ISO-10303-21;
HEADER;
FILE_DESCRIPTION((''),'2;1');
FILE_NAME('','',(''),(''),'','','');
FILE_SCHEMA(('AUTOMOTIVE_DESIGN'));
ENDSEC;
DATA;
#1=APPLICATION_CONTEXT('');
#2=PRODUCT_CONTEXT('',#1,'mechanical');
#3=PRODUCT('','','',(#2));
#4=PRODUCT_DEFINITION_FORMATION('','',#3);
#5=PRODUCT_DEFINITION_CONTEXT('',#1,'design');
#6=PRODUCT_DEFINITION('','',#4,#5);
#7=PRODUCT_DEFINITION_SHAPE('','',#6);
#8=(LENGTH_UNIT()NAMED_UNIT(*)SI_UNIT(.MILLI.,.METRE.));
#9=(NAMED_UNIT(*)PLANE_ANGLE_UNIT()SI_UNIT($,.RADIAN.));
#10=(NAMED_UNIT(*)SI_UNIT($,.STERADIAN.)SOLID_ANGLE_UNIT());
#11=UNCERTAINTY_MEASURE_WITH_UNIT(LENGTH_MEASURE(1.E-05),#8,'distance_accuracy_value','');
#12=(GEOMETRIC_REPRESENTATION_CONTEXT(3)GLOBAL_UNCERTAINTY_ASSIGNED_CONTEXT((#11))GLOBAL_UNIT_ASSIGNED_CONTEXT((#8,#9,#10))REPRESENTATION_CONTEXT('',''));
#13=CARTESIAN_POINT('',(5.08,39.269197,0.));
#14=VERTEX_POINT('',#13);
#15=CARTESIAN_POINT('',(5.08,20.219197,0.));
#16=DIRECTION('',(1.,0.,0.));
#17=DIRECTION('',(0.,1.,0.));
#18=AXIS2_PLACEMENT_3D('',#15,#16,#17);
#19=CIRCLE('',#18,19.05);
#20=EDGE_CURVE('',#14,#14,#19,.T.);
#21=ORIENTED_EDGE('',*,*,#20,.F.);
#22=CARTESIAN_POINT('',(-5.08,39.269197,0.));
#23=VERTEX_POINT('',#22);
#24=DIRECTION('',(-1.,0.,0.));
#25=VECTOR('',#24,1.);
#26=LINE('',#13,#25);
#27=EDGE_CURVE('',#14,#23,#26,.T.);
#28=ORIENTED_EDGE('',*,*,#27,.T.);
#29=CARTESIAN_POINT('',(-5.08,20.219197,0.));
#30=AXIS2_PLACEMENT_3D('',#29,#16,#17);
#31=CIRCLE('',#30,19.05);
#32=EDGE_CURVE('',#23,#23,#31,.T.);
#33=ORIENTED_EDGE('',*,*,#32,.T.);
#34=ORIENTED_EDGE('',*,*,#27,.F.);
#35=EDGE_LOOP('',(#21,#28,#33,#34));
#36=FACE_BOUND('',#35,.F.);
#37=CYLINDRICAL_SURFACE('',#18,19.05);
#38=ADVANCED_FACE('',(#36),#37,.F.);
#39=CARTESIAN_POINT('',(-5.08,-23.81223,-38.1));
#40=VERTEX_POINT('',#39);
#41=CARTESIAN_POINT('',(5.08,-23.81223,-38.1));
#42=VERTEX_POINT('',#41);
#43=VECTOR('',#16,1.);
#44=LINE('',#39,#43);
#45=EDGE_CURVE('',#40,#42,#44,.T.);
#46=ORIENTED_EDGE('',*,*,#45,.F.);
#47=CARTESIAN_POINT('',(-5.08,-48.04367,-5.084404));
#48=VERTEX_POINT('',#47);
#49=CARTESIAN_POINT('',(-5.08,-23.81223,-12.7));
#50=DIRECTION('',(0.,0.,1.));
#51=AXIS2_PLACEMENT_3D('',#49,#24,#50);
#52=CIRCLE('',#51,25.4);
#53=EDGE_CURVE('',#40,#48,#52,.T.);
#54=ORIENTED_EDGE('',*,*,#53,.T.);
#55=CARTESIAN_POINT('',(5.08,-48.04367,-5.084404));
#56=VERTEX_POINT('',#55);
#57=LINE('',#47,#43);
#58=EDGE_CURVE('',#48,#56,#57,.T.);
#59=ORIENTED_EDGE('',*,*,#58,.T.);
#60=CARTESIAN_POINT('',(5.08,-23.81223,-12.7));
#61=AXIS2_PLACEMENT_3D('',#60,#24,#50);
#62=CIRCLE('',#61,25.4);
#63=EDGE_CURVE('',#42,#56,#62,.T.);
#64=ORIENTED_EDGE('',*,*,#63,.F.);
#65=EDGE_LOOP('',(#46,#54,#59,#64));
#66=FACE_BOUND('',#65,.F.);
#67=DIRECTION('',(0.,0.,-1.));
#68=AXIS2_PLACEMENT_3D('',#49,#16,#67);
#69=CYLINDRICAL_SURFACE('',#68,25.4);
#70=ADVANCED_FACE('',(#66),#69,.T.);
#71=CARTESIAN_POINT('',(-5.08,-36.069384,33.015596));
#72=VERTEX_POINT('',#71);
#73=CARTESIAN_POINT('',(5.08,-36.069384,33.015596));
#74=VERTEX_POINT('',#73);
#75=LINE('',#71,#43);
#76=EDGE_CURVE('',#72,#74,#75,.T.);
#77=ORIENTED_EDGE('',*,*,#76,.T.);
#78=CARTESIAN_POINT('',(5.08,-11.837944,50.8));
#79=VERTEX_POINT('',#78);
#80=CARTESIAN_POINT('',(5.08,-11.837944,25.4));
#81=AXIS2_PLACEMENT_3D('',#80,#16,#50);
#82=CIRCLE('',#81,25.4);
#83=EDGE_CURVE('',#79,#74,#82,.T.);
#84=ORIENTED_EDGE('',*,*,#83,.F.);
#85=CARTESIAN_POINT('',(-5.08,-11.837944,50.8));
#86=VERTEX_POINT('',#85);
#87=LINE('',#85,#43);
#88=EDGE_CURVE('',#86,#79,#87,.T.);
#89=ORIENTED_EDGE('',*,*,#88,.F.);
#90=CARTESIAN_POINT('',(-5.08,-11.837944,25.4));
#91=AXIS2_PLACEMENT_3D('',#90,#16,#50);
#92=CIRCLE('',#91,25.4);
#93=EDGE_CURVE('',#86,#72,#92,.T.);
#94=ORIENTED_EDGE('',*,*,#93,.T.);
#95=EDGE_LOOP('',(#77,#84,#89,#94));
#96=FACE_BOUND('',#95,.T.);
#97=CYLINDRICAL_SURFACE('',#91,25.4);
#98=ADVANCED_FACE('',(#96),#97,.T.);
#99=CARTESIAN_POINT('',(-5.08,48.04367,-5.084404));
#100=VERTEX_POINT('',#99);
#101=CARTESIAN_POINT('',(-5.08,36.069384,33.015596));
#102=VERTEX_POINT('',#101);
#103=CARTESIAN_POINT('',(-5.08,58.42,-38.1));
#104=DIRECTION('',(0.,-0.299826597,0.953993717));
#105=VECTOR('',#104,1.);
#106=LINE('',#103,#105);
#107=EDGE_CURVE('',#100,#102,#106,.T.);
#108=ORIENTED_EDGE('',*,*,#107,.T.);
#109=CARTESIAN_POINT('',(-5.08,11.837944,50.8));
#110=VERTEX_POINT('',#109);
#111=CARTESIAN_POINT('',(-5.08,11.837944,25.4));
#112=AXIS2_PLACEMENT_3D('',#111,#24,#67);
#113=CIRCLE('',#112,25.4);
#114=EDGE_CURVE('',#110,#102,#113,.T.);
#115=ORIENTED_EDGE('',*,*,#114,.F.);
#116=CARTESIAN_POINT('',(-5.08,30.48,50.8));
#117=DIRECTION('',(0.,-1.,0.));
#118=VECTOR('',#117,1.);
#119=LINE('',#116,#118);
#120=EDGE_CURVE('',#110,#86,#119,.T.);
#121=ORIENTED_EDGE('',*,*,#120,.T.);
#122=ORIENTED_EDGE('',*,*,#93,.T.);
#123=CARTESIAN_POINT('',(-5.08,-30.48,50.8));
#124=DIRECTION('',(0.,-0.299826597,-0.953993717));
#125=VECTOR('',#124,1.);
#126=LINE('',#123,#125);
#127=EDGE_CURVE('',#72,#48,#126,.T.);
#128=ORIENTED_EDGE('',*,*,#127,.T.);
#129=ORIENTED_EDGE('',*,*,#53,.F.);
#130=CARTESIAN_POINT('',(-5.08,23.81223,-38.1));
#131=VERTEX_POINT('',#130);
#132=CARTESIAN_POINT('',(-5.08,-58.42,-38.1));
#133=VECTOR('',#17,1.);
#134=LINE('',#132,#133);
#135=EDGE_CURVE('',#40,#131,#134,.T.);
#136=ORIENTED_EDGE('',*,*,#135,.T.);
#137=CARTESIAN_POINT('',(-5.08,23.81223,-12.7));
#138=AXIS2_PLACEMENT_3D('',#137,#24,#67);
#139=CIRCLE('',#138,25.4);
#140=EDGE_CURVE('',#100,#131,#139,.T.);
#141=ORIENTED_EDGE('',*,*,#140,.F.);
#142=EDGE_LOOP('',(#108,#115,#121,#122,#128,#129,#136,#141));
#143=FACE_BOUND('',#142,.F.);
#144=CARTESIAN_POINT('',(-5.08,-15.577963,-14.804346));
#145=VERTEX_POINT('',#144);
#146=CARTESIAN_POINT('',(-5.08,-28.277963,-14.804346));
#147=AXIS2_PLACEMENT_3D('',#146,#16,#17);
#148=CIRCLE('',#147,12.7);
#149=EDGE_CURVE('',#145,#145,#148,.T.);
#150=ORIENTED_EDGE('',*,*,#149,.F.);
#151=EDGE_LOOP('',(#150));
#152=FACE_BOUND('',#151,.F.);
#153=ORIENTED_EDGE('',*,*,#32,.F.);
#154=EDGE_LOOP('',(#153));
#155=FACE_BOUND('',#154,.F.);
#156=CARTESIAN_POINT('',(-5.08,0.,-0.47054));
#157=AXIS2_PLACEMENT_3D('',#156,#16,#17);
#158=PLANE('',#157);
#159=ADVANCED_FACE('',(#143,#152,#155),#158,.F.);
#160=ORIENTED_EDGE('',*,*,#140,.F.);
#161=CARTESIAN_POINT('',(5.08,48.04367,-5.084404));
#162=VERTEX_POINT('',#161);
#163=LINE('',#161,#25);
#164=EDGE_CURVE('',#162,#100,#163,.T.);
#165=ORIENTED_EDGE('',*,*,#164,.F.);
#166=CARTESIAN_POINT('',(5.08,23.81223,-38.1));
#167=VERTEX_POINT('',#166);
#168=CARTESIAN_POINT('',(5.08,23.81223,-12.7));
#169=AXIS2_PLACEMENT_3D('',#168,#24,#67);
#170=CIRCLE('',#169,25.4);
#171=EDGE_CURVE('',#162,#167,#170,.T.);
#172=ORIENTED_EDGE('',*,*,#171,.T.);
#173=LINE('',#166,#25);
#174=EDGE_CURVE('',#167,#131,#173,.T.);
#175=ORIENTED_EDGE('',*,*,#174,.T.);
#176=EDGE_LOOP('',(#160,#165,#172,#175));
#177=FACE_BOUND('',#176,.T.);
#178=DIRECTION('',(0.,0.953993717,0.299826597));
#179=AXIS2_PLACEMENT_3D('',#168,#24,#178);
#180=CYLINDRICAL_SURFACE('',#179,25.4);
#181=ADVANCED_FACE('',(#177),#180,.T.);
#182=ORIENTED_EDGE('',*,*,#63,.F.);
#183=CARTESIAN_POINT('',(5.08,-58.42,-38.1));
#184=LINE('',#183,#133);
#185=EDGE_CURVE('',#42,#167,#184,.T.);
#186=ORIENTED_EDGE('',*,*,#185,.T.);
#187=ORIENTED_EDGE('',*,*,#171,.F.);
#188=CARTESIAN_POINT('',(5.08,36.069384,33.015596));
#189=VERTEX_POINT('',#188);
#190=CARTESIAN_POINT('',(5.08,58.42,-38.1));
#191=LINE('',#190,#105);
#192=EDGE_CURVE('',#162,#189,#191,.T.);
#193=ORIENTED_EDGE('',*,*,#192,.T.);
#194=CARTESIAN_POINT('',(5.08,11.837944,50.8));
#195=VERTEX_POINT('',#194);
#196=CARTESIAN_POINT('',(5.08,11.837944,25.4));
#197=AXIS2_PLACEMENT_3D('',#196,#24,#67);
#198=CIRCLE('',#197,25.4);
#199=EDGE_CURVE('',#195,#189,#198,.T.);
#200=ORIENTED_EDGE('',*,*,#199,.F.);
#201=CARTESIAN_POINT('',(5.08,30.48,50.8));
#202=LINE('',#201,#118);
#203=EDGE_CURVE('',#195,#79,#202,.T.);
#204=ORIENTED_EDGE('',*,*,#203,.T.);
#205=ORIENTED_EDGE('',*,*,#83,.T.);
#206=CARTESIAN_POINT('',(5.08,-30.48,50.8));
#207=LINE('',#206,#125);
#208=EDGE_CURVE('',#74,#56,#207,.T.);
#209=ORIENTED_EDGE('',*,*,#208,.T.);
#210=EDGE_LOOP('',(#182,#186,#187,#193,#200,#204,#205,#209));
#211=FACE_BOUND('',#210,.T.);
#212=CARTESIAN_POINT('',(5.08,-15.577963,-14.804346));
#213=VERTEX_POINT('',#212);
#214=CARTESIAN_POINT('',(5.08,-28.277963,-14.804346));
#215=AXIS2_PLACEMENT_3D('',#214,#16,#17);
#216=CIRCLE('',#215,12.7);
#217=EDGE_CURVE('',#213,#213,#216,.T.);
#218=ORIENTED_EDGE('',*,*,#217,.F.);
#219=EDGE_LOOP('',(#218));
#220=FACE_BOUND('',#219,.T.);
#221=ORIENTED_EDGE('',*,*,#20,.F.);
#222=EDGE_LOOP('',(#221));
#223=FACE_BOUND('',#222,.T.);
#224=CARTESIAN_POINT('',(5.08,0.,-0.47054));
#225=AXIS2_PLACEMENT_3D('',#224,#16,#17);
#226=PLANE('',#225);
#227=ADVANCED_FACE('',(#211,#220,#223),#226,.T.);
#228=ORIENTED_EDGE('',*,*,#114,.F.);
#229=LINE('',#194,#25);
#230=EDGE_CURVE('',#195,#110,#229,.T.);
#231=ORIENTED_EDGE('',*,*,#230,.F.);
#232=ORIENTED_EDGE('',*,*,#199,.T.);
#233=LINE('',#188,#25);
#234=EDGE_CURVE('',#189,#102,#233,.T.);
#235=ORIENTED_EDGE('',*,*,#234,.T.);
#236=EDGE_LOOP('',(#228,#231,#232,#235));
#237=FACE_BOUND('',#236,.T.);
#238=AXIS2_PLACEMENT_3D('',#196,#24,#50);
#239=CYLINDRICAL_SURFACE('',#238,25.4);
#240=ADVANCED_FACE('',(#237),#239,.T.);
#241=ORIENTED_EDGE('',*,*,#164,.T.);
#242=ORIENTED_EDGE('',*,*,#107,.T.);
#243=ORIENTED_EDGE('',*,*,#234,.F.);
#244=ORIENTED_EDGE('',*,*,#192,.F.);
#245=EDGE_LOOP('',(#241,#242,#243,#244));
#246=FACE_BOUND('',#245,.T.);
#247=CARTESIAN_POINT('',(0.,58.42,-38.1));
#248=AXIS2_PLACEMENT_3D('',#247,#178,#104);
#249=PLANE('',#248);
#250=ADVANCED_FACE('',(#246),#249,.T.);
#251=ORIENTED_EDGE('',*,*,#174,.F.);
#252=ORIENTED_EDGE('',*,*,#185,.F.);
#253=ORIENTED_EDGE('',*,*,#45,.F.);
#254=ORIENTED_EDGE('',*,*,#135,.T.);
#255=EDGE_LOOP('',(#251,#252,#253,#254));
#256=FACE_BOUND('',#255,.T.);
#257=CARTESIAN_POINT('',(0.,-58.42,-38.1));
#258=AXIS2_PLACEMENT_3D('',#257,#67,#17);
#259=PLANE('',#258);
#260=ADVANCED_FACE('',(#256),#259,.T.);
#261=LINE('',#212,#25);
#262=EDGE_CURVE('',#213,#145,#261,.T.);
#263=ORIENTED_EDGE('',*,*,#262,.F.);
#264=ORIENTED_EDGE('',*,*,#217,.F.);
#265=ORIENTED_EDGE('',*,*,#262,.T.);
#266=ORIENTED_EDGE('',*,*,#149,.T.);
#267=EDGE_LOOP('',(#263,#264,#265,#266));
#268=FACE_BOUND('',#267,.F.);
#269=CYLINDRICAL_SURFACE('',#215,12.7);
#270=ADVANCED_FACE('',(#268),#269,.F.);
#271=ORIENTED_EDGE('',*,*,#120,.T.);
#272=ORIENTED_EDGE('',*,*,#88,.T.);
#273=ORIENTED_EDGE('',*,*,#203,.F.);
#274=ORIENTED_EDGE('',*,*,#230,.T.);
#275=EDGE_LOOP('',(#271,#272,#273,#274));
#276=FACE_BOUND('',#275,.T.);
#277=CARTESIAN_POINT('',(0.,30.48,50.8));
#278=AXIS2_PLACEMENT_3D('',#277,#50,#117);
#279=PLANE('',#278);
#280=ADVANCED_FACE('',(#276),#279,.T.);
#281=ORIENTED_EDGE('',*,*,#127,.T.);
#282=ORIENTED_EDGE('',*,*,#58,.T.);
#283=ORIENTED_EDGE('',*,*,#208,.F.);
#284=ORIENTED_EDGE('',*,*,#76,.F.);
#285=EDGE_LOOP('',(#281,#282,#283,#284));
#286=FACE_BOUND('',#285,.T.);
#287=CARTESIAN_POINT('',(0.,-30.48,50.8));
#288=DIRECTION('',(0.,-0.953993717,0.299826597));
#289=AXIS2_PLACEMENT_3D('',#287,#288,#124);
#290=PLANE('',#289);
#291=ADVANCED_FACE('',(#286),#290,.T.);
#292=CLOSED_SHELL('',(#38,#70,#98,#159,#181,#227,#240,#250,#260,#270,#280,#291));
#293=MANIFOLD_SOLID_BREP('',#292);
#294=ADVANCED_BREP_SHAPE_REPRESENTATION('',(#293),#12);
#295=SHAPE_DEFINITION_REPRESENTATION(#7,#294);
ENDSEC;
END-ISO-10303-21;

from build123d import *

# Parameters (mm, degrees)
F1_DEPTH      = 5.08
F1_DEPTH_BACK = 5.08
F2_R          = 25.4
F3_R          = 19.05
F4_DEPTH      = 25.4
F5_R          = 12.7
F6_DEPTH      = 25.4


with BuildPart() as f1:
    # F0 (on Right) → F1 (new body, two sides)
    with BuildSketch(Plane.YZ) as f1_sk:
        Polygon((30.48, 50.8), (-30.48, 50.8), (-58.42, -38.1), (58.42, -38.1), align=None)
    extrude(amount=F1_DEPTH)
    extrude(f1_sk.sketch, amount=-F1_DEPTH_BACK)

    # F2
    f2_edges = [f1.edges().sort_by_distance(p)[0] for p in [
        (0, -30.48, 50.8),
        (0, -58.42, -38.1),
        (0, 30.48, 50.8),
        (0, 58.42, -38.1),
    ]]
    fillet(f2_edges, radius=F2_R)

    # F3 (on face) → F4 (cut)
    with BuildSketch(Plane.YZ.offset(5.08)):
        with Locations((20.219197, 0)):
            Circle(F3_R)
    extrude(amount=-F4_DEPTH, mode=Mode.SUBTRACT)

    # F5 (on face) → F6 (cut)
    with BuildSketch(Plane.YZ.offset(5.08)):
        with Locations((-28.277963, -14.804346)):
            Circle(F5_R)
    extrude(amount=-F6_DEPTH, mode=Mode.SUBTRACT)


solid = f1.part
